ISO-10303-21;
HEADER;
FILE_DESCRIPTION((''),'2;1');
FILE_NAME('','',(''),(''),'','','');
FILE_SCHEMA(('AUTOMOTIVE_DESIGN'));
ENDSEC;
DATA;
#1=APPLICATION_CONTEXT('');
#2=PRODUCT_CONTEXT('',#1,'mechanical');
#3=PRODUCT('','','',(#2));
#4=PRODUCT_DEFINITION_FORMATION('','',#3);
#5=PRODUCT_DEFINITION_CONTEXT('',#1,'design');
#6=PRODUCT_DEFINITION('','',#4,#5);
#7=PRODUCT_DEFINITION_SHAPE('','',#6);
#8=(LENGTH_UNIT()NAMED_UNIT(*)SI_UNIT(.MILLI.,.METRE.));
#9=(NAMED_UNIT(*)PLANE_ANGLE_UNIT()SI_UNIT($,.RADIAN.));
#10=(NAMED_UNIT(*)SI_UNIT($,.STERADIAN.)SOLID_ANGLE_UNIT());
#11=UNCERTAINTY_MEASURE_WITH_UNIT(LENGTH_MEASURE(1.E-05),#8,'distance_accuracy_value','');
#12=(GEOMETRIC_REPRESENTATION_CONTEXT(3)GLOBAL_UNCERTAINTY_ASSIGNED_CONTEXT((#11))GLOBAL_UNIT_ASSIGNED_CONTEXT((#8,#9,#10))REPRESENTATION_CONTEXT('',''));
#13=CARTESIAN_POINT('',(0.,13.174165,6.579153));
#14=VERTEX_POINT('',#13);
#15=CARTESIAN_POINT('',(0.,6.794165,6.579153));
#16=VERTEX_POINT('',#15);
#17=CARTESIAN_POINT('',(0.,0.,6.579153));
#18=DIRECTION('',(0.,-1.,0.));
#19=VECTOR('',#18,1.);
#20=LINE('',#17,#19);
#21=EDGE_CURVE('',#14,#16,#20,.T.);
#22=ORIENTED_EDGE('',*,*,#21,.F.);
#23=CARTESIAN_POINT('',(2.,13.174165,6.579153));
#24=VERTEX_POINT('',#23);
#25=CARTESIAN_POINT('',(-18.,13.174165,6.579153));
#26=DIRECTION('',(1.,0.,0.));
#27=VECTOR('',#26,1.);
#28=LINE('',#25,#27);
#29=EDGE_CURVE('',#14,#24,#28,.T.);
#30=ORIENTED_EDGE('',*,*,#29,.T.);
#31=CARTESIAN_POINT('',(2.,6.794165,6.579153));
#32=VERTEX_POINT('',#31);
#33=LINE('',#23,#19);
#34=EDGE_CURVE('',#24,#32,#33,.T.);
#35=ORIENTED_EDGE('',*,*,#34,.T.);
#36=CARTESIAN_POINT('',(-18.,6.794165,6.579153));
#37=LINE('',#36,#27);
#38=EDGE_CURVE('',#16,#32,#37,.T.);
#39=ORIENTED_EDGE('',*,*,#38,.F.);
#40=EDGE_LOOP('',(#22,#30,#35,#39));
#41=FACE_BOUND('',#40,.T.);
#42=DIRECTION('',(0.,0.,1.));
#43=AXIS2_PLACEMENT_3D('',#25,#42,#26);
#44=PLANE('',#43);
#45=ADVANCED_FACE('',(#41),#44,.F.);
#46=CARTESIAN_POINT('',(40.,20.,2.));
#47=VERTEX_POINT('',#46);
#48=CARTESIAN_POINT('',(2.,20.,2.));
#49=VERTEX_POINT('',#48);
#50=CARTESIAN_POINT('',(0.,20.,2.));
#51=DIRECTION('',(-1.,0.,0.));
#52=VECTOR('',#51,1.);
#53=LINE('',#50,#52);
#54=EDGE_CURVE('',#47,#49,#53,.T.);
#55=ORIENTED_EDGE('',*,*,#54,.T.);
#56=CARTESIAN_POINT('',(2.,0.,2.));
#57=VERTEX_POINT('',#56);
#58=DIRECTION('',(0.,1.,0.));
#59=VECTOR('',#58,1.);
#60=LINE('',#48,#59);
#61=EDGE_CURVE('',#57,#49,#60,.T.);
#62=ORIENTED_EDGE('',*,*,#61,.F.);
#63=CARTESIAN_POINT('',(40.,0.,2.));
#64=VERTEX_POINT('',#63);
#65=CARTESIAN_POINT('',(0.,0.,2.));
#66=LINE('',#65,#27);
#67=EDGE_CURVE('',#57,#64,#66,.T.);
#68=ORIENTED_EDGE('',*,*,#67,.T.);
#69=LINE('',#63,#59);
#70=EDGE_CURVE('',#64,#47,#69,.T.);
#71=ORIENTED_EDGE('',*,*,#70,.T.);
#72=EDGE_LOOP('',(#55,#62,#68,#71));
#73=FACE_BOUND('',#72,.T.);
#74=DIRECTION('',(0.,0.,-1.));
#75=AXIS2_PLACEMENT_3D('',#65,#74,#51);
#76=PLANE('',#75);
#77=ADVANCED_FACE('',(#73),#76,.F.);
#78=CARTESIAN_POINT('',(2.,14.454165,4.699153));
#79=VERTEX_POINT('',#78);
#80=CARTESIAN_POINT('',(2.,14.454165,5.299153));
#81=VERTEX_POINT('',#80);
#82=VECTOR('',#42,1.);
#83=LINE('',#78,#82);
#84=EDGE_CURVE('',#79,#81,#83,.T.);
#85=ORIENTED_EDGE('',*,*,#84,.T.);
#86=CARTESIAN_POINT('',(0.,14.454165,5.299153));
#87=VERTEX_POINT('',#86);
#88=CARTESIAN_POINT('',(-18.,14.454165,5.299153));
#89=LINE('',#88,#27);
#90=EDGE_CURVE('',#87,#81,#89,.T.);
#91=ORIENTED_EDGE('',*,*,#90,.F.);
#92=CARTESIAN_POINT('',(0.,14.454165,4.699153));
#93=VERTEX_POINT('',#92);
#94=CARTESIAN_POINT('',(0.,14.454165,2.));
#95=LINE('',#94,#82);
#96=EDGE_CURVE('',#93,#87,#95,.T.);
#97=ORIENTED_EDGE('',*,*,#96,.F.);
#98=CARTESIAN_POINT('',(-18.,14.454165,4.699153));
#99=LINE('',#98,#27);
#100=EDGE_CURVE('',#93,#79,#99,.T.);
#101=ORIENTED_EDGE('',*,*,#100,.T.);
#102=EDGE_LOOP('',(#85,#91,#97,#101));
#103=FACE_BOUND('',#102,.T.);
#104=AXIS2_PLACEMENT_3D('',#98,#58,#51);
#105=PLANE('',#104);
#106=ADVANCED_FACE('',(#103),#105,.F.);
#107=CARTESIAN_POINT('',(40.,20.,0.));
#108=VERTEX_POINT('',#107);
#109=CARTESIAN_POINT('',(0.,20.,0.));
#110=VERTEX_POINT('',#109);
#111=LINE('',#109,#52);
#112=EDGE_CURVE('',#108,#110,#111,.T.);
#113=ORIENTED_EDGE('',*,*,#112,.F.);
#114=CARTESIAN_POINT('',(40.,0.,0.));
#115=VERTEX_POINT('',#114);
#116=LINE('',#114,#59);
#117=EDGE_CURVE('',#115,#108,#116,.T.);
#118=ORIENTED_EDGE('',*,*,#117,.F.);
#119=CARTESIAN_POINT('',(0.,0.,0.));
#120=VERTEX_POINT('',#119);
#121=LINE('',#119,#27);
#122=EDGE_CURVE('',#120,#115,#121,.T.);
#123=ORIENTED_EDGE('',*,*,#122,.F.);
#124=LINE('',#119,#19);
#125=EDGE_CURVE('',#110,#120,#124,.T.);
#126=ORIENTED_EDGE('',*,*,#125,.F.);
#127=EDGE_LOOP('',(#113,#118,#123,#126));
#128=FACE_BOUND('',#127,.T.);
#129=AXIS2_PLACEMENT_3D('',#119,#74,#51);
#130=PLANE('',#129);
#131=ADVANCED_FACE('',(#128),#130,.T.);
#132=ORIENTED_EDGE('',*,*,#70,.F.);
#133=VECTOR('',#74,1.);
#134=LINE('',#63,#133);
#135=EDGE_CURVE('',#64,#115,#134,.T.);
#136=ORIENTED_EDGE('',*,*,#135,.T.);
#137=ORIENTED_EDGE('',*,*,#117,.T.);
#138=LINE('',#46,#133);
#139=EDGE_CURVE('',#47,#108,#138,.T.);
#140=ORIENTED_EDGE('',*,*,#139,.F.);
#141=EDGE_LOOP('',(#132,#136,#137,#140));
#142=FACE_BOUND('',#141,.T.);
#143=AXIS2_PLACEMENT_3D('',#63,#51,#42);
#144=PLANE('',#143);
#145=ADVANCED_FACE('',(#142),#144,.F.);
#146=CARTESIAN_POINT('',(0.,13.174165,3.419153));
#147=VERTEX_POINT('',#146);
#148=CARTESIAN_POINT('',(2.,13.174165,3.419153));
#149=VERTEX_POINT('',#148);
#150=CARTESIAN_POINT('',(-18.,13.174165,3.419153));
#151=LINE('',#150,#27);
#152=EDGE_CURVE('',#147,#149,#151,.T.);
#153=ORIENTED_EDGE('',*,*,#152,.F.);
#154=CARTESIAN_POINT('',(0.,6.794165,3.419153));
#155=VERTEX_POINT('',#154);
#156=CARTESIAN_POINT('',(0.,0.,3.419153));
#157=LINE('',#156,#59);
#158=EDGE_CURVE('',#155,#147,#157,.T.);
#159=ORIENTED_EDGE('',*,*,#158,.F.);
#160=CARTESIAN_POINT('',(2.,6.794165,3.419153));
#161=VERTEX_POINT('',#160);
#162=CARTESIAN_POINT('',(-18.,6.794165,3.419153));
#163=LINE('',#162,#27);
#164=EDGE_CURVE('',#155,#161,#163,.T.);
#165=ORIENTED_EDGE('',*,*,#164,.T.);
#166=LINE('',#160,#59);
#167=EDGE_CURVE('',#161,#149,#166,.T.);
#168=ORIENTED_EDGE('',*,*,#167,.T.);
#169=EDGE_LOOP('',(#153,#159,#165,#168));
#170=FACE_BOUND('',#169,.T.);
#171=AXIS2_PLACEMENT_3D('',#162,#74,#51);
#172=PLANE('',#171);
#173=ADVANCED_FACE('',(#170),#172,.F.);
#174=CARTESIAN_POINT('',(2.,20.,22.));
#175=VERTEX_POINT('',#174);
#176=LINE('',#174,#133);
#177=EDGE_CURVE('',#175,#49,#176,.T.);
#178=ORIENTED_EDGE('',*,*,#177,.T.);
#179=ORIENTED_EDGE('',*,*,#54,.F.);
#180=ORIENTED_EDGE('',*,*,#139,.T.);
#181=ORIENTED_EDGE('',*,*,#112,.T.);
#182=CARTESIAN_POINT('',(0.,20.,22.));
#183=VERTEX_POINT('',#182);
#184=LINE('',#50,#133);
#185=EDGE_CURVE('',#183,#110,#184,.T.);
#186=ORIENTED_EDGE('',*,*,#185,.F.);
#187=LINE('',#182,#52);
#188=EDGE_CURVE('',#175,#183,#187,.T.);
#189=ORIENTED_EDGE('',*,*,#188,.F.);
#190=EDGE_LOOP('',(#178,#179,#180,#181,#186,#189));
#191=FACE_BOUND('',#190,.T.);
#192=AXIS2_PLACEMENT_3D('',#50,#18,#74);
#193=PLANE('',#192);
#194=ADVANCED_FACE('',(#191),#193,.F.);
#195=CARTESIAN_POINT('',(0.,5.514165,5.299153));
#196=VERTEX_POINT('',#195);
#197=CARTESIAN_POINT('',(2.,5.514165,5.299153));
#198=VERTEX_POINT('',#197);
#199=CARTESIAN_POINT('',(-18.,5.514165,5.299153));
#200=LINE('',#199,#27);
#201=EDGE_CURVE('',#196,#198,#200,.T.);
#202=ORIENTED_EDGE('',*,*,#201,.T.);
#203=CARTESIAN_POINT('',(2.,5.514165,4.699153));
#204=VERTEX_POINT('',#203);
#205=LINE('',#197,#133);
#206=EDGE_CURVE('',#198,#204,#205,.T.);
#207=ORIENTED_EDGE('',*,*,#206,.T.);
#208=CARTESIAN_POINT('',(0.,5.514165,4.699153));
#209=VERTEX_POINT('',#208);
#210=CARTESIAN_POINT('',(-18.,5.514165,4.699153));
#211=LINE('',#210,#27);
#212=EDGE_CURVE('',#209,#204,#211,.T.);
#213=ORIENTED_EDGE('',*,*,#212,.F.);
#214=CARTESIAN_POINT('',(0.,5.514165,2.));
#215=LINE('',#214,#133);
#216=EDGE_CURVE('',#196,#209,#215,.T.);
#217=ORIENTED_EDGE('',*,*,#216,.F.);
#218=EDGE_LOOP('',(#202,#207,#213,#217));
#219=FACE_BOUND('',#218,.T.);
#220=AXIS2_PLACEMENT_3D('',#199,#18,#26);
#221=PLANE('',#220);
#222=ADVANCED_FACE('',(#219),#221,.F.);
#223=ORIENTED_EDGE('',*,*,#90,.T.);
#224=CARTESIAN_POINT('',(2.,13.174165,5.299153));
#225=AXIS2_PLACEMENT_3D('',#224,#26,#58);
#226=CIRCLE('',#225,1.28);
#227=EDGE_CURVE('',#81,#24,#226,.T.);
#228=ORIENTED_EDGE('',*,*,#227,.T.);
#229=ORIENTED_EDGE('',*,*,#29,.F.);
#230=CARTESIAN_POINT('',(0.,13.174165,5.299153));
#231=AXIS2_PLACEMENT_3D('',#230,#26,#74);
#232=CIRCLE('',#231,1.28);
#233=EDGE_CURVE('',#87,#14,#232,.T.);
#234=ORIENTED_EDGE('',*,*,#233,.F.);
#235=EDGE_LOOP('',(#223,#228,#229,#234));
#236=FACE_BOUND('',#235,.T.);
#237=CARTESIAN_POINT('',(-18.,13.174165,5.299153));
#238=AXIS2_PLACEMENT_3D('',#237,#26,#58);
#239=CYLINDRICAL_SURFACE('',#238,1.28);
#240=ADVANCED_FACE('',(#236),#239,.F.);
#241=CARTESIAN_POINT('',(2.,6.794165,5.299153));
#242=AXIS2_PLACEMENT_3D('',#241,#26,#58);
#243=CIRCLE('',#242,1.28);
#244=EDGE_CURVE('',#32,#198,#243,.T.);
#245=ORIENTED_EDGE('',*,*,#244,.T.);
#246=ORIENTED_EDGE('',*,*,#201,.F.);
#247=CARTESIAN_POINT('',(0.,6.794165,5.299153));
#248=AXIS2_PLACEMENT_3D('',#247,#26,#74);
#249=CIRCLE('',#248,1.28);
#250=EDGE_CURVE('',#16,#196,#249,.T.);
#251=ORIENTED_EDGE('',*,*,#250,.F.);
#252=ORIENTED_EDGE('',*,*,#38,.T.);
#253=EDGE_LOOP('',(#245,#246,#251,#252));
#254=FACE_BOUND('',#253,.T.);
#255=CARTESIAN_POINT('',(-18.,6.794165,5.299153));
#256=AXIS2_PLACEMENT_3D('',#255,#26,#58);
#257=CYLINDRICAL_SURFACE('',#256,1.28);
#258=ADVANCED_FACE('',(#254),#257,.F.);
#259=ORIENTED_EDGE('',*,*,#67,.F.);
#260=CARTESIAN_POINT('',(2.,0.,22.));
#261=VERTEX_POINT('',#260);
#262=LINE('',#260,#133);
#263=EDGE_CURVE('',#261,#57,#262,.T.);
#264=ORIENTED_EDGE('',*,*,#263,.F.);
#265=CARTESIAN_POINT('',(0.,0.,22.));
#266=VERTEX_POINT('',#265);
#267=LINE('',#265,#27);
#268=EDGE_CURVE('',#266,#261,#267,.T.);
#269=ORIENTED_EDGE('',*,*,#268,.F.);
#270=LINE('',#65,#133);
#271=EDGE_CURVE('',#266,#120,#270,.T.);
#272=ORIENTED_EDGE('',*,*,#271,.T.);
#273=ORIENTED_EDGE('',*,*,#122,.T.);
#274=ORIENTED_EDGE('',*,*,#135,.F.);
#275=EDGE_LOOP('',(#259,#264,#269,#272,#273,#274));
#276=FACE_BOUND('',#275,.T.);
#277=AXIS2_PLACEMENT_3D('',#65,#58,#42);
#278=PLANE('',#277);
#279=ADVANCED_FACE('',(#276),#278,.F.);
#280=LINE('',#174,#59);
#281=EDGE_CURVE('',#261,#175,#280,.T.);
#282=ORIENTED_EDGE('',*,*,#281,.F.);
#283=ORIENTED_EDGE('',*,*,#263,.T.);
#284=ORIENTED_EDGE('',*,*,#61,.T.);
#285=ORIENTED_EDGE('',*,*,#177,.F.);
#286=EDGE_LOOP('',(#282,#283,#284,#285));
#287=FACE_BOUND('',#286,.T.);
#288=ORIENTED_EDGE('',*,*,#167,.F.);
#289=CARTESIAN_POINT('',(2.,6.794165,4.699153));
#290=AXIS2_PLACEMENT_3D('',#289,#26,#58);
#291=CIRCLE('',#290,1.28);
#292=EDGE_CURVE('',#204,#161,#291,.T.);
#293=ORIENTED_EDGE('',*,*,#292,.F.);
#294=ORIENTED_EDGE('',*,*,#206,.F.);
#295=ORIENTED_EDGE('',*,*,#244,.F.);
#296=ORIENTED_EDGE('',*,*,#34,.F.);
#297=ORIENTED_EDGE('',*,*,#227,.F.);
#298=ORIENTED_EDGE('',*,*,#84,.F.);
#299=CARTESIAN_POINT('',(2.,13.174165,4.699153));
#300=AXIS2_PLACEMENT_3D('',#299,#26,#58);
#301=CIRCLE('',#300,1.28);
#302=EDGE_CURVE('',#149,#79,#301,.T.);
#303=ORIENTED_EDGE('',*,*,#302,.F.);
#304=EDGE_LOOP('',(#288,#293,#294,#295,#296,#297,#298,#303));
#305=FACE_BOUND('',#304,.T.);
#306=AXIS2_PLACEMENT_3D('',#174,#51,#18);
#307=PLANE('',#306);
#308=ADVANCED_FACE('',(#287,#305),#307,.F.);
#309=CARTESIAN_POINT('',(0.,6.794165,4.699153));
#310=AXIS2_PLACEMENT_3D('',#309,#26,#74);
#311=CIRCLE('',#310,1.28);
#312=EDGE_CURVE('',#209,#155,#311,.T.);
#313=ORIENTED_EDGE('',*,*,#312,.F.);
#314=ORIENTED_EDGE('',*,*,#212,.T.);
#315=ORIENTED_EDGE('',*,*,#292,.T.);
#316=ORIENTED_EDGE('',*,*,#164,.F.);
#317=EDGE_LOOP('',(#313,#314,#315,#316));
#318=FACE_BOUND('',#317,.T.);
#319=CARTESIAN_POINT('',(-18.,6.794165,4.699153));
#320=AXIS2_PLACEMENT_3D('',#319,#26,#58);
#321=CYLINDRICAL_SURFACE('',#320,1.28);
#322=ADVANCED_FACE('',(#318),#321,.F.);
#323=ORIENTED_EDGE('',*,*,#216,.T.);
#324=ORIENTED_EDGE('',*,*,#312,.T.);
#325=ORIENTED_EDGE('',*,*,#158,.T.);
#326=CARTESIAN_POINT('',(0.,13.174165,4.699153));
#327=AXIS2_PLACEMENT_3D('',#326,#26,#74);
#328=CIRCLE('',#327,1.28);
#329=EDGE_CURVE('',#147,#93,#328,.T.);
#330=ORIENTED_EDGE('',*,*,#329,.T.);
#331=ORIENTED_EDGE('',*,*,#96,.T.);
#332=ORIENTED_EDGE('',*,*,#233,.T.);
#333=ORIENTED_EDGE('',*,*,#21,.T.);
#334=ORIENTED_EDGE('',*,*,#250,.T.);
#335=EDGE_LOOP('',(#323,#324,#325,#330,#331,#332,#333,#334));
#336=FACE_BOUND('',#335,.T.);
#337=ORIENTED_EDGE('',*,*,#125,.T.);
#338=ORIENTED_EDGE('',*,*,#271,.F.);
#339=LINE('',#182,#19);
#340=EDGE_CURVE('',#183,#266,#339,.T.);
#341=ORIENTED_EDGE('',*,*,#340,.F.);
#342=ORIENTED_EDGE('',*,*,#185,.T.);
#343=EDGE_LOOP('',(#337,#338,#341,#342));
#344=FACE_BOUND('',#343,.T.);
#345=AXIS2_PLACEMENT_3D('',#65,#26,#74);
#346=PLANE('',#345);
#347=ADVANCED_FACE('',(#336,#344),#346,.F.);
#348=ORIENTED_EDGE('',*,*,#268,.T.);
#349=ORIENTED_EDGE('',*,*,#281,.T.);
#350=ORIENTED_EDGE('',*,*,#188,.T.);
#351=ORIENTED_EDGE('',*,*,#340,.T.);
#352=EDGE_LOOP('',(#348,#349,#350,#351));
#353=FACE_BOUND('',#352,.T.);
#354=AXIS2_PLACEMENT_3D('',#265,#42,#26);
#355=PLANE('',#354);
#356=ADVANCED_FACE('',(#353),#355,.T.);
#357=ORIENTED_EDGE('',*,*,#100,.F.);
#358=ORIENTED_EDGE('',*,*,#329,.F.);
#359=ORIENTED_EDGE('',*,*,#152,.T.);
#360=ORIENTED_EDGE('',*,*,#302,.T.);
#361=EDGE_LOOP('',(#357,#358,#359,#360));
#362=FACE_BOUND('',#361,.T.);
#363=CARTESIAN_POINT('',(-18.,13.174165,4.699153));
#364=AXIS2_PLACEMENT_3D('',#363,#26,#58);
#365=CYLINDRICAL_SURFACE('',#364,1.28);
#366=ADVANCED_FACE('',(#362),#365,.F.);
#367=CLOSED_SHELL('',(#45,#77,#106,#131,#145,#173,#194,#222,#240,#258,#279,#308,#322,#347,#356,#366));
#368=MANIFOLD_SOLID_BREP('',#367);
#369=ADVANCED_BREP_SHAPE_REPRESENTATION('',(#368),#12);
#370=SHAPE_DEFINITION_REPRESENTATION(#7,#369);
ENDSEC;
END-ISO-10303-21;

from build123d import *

# Parameters (mm, degrees)
SKETCH_1_W          = 40
SKETCH_1_H          = 20
EXTRUDE_1_DEPTH     = 2
SKETCH_2_W          = 2
SKETCH_2_H          = 20
EXTRUDE_2_DEPTH     = 20
CUT_EXTRUDE_1_DEPTH = 20


with BuildPart() as part:
    # Эскиз1 → Бобышка-Вытянуть1 (new body)
    with BuildSketch(Plane.XY):
        with Locations((20, 10)):
            Rectangle(SKETCH_1_W, SKETCH_1_H)
    extrude(amount=EXTRUDE_1_DEPTH)

    # Эскиз2 → Бобышка-Вытянуть2 (add)
    with BuildSketch(Plane.XY.offset(2)):
        with Locations((1, 10)):
            Rectangle(SKETCH_2_W, SKETCH_2_H)
    extrude(amount=EXTRUDE_2_DEPTH)

    # Эскиз5 → Вырез-Вытянуть1 (cut)
    with BuildSketch(Plane(origin=(2, 0, 0), x_dir=(0, 0, -1), z_dir=(1, 0, 0))):
        with BuildLine():
            Line((-4.699152759, 14.454165244), (-5.299152759, 14.454165244))
            ThreePointArc((-5.299152759, 14.454165244), (-6.204249439, 14.079261924), (-6.579152759, 13.174165244))
            Line((-6.579152759, 13.174165244), (-6.579152759, 6.794165244))
            ThreePointArc((-6.579152759, 6.794165244), (-6.204249439, 5.889068564), (-5.299152759, 5.514165244))
            Line((-5.299152759, 5.514165244), (-4.699152759, 5.514165244))
            ThreePointArc((-4.699152759, 5.514165244), (-3.794056079, 5.889068564), (-3.419152759, 6.794165244))
            Line((-3.419152759, 6.794165244), (-3.419152759, 13.174165244))
            ThreePointArc((-3.419152759, 13.174165244), (-3.794056079, 14.079261924), (-4.699152759, 14.454165244))
        make_face()
    extrude(amount=-CUT_EXTRUDE_1_DEPTH, mode=Mode.SUBTRACT)


solid = part.part
